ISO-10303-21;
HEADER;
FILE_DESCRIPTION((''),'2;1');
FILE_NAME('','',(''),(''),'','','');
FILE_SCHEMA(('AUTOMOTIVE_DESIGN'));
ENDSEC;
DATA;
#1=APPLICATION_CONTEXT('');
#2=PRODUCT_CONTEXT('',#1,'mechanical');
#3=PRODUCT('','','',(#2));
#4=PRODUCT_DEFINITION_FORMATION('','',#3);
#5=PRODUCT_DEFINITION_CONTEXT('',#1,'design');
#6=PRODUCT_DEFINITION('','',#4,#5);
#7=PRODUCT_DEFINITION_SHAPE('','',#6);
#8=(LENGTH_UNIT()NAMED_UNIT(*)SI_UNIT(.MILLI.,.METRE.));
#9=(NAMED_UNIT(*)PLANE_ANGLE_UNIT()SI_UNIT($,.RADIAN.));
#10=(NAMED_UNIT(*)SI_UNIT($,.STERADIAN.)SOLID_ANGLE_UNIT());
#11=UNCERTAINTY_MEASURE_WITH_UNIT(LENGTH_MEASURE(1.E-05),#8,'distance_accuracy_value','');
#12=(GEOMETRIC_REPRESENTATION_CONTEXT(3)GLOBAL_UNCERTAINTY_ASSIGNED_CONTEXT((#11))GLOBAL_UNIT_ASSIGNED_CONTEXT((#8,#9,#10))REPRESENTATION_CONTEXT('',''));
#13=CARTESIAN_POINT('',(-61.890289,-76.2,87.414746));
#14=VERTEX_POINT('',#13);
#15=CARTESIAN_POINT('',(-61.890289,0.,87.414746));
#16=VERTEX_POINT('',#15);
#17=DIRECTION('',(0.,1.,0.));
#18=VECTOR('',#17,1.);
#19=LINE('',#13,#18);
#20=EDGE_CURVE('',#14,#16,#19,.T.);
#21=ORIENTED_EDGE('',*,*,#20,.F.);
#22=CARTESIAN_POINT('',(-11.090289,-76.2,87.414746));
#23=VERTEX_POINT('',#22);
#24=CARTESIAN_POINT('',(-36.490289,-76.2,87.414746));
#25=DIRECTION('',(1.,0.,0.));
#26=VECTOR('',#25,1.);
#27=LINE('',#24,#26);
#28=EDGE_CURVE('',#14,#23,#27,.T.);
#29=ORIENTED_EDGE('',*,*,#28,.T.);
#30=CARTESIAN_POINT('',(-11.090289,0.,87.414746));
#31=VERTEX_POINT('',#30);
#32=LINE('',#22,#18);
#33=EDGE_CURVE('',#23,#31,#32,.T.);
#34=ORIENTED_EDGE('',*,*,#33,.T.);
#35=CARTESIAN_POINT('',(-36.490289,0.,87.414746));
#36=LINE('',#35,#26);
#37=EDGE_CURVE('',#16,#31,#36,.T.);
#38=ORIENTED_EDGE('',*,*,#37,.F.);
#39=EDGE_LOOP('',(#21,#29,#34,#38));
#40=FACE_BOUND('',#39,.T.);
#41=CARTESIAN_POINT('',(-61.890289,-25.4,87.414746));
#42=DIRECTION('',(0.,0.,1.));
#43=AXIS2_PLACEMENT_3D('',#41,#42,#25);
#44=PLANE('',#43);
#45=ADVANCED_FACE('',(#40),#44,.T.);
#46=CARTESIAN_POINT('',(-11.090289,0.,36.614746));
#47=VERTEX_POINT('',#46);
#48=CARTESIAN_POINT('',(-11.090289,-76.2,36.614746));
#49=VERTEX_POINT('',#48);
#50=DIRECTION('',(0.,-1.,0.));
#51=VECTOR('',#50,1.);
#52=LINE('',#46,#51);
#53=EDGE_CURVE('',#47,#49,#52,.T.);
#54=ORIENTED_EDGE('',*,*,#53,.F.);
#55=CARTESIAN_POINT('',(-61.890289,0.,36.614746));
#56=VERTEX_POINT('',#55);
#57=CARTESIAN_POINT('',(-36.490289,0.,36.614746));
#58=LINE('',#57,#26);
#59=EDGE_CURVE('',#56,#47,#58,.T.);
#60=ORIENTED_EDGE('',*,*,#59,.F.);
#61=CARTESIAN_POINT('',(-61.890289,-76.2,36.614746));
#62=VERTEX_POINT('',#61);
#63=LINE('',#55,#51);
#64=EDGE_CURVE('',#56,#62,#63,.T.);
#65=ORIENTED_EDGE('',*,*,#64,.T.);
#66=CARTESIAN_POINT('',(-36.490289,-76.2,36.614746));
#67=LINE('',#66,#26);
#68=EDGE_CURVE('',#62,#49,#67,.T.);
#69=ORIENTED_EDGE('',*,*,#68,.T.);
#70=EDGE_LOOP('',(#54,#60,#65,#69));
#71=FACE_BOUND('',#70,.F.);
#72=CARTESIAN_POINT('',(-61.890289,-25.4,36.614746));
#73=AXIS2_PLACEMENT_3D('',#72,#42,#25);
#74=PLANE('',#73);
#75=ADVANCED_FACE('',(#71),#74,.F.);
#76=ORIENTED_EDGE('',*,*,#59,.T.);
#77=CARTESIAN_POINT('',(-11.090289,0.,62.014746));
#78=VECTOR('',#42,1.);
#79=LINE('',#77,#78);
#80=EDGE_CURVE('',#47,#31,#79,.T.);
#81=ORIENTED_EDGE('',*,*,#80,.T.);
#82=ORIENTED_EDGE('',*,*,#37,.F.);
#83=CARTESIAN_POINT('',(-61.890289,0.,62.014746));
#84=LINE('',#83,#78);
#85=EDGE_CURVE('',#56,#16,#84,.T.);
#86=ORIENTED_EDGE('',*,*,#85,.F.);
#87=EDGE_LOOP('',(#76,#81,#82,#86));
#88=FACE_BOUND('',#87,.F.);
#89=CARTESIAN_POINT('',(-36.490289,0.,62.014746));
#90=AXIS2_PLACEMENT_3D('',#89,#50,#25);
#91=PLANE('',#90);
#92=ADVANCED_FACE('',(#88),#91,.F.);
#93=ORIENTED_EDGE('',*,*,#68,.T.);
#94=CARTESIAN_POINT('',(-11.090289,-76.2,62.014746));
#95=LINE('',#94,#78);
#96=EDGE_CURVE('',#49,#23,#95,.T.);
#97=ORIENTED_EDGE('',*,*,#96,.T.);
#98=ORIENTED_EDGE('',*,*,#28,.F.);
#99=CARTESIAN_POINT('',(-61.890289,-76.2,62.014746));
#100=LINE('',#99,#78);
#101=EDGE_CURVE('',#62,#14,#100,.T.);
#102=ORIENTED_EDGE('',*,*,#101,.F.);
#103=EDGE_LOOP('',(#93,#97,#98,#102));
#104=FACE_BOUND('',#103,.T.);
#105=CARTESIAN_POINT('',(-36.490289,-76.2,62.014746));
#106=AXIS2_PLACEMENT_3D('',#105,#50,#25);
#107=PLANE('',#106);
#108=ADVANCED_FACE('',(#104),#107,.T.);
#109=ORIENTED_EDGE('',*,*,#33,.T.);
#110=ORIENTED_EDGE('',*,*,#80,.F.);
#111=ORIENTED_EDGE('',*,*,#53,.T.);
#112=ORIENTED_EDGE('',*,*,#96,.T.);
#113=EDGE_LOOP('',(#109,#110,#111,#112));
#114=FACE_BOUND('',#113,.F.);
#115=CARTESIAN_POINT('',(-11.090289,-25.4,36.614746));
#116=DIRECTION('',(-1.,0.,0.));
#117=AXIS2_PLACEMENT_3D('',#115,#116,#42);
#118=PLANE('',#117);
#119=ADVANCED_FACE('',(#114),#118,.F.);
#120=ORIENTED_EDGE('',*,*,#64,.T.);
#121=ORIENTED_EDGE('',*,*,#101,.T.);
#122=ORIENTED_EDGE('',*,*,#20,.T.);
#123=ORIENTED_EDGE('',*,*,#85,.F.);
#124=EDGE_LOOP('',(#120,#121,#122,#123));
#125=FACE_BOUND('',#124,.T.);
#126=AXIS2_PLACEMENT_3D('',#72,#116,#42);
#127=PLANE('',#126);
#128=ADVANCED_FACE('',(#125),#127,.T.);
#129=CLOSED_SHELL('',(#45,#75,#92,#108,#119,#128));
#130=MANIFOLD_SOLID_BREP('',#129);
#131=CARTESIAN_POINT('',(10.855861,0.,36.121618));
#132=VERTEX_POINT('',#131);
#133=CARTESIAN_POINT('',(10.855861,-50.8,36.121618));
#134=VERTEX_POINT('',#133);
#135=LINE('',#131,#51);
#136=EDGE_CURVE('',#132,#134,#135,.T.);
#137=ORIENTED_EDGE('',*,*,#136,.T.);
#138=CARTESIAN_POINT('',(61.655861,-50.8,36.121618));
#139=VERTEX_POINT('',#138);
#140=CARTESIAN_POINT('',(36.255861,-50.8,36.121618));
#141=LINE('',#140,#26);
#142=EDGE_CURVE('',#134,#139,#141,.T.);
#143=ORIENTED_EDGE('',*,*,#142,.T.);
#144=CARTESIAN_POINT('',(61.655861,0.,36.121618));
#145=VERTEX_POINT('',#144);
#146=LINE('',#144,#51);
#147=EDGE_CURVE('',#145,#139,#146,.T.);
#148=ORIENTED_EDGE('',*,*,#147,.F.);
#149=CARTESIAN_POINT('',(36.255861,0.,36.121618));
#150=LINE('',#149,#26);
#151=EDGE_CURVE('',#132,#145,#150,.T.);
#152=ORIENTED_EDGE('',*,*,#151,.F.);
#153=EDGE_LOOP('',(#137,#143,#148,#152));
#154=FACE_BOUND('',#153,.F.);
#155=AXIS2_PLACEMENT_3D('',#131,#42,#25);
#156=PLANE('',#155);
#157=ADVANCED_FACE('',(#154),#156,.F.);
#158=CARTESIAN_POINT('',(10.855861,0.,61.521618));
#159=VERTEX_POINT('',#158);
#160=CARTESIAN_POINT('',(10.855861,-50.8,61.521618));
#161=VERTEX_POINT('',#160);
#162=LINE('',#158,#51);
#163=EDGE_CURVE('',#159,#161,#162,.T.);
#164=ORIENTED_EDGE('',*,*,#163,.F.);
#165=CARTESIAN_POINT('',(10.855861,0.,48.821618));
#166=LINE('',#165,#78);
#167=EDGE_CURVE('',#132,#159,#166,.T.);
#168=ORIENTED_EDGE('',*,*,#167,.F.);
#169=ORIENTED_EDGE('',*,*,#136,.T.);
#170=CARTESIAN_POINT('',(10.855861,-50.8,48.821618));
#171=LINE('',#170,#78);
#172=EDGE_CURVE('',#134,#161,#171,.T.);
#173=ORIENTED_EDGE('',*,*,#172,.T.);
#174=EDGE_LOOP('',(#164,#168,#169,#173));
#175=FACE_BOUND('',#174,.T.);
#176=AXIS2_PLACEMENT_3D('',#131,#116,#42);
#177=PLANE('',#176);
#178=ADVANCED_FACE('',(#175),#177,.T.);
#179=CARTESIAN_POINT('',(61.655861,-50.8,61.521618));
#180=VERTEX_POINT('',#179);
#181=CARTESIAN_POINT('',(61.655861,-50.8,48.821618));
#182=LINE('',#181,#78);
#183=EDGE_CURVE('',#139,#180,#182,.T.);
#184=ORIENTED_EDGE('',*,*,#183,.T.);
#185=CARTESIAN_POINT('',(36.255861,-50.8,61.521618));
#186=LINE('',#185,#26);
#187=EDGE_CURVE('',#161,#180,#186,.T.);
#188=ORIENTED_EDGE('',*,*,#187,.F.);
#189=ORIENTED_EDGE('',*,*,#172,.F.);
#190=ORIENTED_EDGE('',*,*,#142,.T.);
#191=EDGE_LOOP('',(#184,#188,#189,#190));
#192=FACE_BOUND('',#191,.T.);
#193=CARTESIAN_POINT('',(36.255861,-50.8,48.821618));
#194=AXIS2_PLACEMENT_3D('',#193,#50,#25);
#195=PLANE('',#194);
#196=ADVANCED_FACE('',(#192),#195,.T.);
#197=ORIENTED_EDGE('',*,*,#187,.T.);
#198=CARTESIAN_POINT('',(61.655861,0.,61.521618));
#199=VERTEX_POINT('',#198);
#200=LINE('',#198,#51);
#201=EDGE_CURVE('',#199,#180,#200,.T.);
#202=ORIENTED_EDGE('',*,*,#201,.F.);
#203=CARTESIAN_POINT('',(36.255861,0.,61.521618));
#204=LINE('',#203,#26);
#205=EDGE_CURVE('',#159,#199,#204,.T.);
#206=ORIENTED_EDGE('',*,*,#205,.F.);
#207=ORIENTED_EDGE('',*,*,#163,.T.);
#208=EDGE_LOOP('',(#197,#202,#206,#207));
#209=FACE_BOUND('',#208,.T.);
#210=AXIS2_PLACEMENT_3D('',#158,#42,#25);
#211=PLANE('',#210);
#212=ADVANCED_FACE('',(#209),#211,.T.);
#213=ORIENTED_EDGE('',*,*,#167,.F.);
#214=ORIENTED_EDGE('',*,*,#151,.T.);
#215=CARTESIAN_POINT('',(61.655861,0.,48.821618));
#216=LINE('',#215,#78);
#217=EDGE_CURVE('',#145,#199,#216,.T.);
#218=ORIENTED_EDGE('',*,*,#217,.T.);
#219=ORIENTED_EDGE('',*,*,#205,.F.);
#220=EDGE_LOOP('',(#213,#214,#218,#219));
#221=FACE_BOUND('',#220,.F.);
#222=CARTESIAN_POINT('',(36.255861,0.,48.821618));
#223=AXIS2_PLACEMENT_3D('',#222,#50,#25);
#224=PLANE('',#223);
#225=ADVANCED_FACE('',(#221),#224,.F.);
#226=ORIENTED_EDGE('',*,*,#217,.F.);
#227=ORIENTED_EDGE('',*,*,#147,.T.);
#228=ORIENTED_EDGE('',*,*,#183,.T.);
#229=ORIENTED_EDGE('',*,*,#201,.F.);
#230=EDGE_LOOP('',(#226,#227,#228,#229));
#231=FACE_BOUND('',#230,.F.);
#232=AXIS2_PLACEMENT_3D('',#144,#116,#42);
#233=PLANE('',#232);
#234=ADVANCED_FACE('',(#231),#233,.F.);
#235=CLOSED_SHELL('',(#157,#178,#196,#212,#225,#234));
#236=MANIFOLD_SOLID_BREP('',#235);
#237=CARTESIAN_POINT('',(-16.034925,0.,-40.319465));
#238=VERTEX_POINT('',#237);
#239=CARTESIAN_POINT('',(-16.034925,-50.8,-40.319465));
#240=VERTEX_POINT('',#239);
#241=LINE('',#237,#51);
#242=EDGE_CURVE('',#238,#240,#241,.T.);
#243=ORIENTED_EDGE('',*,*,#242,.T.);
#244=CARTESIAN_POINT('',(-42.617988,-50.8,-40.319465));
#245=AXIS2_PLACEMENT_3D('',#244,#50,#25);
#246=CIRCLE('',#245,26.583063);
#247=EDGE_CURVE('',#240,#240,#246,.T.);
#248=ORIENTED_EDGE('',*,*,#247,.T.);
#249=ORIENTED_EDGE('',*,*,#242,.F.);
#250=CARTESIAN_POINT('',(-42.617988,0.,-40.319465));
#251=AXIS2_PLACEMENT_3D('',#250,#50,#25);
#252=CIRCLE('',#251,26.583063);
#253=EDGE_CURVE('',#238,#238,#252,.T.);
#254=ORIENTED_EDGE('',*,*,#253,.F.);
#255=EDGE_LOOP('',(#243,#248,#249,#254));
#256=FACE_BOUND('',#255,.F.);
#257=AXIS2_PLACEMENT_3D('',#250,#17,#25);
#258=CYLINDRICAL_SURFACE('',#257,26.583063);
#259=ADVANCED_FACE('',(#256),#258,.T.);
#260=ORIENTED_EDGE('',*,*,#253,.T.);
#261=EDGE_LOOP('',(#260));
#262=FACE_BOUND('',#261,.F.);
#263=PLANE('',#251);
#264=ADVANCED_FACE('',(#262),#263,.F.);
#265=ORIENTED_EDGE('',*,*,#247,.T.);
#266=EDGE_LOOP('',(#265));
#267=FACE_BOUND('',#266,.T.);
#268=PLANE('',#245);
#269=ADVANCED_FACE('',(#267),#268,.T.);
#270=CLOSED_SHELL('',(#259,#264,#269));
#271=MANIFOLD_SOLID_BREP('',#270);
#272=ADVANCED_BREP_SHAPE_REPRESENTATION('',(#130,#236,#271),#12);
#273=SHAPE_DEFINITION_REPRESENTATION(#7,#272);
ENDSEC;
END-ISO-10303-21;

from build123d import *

# Parameters (mm, degrees)
F0_W      = 50.8
F0_H      = 50.8
F3_DEPTH  = 25.4
F1_W      = 50.8
F1_H      = 25.4
F4_DEPTH  = 50.8
F2_R      = 26.583063
F5_DEPTH  = 50.8
F3_FACE_W = 50.8
F3_FACE_H = 50.8
F6_DEPTH  = 50.8


with BuildPart() as f3:
    # F0 (on Front) → F3 (new body)
    with BuildSketch(Plane.XZ):
        with Locations((-36.490289, 62.014746)):
            Rectangle(F0_W, F0_H)
    extrude(amount=F3_DEPTH)

    # F3_face (on face) → F6 (join)
    with BuildSketch(Plane(origin=(-36.490289, -25.4, 62.014746), x_dir=(1, 0, 0), z_dir=(0, -1, 0))):
        Rectangle(F3_FACE_W, F3_FACE_H)
    extrude(amount=F6_DEPTH)


with BuildPart() as f4:
    # F1 (on Front) → F4 (new body)
    with BuildSketch(Plane.XZ):
        with Locations((36.255861, 48.821618)):
            Rectangle(F1_W, F1_H)
    extrude(amount=F4_DEPTH)


with BuildPart() as f5:
    # F2 (on Front) → F5 (new body)
    with BuildSketch(Plane.XZ):
        with Locations((-42.617988, -40.319465)):
            Circle(F2_R)
    extrude(amount=F5_DEPTH)


solid = Compound([f3.part, f4.part, f5.part])
